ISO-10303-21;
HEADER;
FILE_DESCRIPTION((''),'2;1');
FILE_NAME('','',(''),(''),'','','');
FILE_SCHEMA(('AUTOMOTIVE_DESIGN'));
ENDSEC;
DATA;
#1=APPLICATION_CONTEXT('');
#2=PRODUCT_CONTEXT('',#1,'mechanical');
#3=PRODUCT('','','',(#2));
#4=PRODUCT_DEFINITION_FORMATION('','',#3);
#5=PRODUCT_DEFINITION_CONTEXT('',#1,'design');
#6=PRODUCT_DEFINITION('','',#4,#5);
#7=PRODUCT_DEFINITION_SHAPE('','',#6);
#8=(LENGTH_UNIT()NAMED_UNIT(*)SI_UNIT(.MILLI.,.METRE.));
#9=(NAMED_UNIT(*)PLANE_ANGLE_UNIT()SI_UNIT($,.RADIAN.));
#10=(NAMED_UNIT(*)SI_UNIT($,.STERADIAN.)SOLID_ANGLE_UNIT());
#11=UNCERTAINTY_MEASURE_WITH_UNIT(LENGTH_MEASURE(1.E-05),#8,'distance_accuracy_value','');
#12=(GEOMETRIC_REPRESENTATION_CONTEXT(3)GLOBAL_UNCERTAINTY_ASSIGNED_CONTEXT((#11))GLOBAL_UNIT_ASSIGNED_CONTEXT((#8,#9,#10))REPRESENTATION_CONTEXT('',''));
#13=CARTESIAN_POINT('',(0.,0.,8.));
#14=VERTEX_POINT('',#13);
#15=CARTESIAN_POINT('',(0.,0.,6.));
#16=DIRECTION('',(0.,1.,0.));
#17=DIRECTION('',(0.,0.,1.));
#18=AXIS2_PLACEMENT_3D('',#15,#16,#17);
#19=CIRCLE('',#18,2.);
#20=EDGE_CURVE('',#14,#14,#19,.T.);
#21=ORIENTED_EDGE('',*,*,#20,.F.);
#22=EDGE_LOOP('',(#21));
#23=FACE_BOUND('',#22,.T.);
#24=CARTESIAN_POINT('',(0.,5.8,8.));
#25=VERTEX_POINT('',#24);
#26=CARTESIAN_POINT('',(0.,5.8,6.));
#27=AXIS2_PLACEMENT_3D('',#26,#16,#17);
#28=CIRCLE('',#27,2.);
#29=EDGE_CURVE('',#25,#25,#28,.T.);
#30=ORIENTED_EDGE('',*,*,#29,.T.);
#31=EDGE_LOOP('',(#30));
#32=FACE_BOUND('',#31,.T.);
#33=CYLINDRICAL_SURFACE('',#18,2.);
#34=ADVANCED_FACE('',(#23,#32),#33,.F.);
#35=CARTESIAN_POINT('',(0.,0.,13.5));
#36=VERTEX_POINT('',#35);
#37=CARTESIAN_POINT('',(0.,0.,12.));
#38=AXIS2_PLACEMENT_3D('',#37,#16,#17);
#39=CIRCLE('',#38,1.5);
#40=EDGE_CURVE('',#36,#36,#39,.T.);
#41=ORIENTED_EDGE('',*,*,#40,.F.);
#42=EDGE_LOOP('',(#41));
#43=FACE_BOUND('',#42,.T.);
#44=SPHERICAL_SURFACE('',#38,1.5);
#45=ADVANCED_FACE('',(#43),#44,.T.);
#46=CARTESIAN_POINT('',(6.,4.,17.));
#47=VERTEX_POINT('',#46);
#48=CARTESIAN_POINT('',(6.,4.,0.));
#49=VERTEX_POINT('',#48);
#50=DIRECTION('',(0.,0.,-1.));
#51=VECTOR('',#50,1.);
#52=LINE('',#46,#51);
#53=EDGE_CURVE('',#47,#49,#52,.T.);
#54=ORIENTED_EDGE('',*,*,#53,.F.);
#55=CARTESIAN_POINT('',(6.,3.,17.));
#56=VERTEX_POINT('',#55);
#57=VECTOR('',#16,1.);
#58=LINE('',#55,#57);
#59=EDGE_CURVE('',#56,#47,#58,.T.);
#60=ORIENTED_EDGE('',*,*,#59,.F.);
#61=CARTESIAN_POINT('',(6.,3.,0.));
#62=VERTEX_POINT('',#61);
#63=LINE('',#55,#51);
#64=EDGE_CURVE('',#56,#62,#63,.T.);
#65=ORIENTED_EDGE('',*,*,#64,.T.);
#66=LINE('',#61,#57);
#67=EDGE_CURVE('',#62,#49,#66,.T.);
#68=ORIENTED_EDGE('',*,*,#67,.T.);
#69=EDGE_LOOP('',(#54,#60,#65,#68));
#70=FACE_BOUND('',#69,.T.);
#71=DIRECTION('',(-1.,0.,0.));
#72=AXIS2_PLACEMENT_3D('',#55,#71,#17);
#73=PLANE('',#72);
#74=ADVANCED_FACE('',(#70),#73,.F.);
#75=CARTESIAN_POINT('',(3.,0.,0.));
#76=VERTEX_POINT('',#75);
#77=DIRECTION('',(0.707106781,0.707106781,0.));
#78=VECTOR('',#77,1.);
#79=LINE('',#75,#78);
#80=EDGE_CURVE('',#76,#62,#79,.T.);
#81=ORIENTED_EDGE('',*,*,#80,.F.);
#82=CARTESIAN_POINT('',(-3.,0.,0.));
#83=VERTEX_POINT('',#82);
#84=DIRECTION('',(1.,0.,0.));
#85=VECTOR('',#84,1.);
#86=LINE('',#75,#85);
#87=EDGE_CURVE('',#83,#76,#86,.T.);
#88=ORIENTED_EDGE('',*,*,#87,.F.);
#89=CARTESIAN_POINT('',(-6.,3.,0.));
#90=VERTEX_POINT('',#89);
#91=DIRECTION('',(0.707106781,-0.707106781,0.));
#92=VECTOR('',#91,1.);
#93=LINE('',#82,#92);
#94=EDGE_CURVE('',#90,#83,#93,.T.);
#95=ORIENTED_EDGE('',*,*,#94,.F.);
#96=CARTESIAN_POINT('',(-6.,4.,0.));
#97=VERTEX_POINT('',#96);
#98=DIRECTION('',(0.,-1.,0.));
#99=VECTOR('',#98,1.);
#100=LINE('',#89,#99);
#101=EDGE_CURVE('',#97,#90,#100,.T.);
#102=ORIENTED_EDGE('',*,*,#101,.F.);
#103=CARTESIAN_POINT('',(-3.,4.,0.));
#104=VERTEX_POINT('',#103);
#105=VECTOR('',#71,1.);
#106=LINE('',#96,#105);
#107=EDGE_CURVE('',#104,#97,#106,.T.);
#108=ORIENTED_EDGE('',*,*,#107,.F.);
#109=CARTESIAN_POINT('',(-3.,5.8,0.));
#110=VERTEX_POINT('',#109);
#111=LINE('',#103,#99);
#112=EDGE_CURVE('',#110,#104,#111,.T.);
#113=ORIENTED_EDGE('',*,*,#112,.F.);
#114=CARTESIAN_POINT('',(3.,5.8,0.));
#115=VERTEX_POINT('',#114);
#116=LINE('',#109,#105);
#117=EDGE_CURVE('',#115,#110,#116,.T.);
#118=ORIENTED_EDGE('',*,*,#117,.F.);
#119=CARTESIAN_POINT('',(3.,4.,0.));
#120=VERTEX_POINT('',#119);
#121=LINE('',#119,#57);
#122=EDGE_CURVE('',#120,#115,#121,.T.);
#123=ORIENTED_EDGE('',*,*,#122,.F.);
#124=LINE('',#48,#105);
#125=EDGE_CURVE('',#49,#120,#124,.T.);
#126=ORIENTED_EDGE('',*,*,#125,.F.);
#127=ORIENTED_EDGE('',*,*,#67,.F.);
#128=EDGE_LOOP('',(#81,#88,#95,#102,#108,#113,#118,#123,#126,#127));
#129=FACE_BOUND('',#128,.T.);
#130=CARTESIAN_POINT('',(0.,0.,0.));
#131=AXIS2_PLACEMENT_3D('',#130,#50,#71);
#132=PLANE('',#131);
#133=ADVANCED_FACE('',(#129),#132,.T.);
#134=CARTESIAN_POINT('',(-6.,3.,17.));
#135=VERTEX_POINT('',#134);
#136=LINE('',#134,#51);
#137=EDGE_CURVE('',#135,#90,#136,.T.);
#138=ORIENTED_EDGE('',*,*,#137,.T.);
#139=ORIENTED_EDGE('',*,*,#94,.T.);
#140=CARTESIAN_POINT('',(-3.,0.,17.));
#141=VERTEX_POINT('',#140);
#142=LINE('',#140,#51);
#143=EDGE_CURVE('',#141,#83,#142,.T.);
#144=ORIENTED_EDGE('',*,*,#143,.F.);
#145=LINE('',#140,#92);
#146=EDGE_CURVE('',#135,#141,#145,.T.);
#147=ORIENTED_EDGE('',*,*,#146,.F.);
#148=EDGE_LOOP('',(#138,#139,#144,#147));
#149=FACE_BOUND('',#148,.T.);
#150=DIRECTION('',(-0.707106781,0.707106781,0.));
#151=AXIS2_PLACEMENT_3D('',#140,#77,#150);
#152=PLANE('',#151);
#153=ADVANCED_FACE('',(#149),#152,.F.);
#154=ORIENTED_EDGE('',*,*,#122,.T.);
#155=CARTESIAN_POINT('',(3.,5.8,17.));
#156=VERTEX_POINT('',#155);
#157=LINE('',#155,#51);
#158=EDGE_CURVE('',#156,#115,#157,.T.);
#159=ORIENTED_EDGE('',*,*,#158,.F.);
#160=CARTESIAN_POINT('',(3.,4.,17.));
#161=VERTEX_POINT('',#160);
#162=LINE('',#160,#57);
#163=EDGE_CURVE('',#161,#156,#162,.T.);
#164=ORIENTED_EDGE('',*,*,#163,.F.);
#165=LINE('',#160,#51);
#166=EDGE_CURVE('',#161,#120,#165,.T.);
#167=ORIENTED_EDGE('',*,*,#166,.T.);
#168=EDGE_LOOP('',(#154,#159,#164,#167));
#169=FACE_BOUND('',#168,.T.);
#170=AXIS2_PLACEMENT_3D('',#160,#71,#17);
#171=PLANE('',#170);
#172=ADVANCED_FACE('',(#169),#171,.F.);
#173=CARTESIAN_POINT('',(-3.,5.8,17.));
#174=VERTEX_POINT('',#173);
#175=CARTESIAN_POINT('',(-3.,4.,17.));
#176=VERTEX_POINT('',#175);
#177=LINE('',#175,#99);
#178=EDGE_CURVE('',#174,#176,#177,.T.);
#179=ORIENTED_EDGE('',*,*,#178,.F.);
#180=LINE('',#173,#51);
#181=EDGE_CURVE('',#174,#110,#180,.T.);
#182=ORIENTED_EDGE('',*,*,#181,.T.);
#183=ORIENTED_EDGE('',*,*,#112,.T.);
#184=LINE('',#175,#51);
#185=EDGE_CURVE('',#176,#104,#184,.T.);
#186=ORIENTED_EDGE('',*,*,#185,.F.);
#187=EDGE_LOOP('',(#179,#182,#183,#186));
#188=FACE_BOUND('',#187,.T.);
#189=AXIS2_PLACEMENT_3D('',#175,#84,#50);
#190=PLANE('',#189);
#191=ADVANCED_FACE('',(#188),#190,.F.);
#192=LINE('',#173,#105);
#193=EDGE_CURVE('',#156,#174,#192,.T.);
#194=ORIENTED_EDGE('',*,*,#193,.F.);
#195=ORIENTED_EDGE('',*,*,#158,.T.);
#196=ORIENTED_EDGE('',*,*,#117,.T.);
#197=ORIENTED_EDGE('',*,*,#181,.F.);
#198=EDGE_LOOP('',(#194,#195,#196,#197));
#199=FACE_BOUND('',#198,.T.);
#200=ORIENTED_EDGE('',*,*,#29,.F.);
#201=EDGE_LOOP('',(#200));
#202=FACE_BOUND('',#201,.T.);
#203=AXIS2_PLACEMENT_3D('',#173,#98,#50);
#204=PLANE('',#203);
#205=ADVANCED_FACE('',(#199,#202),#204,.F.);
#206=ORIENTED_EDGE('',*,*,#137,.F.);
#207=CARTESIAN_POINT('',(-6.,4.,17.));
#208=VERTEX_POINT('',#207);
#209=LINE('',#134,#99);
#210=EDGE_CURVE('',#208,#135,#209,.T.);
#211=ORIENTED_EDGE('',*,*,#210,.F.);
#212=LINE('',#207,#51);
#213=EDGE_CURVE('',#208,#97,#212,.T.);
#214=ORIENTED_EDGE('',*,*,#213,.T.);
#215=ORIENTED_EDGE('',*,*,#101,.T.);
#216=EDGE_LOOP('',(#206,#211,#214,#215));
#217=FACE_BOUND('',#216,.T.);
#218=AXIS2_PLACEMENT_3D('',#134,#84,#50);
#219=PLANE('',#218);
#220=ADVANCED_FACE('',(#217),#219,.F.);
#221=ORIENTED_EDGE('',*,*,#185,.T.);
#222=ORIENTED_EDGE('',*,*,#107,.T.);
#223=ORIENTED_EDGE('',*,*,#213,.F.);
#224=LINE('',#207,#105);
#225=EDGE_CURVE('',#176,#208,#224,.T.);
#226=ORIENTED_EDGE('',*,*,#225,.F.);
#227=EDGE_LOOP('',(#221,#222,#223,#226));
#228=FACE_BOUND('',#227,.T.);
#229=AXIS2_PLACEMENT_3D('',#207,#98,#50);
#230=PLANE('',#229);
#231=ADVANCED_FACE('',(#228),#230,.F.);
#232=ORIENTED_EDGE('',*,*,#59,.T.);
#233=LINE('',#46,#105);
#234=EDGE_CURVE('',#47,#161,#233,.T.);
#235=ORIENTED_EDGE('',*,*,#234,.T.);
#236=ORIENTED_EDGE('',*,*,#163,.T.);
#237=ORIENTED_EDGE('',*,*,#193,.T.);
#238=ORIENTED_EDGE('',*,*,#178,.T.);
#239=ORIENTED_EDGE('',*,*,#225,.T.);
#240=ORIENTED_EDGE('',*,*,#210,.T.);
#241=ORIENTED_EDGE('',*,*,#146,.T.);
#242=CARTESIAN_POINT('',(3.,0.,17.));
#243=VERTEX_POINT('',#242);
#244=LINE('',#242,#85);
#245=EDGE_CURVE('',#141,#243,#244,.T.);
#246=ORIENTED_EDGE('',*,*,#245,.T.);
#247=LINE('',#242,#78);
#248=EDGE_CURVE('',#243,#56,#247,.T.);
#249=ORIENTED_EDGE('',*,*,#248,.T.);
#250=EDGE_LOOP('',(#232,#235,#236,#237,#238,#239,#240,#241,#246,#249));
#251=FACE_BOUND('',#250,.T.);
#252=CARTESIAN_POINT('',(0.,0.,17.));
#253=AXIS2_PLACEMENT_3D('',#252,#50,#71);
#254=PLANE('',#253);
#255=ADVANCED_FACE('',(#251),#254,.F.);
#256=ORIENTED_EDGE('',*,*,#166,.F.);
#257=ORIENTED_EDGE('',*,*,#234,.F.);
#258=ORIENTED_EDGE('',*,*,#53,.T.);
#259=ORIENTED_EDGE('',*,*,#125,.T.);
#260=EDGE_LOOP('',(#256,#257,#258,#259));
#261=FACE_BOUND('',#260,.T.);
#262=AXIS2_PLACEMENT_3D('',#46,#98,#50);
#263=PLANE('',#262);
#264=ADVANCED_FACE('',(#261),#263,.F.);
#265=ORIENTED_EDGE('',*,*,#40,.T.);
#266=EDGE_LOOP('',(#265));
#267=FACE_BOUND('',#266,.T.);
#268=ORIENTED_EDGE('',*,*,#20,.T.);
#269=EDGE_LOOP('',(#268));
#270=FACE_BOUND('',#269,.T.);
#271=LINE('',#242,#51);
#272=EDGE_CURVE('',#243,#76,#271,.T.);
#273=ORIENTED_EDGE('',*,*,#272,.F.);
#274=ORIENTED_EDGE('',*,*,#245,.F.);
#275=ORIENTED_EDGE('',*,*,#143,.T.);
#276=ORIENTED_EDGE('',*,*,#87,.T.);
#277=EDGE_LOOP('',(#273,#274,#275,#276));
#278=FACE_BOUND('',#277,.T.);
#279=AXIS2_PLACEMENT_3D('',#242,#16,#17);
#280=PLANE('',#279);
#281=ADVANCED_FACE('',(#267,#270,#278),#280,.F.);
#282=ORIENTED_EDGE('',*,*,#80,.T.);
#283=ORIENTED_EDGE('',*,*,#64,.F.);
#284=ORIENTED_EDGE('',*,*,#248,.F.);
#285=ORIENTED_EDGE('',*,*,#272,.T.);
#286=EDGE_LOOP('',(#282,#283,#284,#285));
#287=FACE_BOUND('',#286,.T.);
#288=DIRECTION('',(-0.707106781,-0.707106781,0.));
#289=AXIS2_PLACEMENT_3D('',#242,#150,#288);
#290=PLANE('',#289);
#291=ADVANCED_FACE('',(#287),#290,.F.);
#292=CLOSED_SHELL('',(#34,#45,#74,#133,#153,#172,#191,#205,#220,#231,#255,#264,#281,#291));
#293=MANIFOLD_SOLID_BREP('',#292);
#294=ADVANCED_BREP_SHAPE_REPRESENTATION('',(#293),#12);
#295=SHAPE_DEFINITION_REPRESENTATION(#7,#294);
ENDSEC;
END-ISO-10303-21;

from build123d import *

# Parameters (mm, degrees)
ESTRUSIONE_ESTRUSIONE1_DEPTH = 17
SCHIZZO2_R                   = 2
TAGLIO_ESTRUSIONE1_DEPTH     = 6.8


with BuildPart() as part:
    # Schizzo1 → Estrusione-Estrusione1 (new body)
    with BuildSketch(Plane.XY):
        Polygon((3, 0), (-3, 0), (-6, 3), (-6, 4), (-3, 4), (-3, 5.8), (3, 5.8), (3, 4), (6, 4), (6, 3), align=None)
    extrude(amount=ESTRUSIONE_ESTRUSIONE1_DEPTH)

    # Schizzo2 → Taglio-Estrusione1 (cut, through all)
    with BuildSketch(Plane(origin=(0, 5.8, 0), x_dir=(1, 0, 0), z_dir=(0, 1, 0))):
        with Locations((0, -6)):
            Circle(SCHIZZO2_R)
    extrude(amount=-TAGLIO_ESTRUSIONE1_DEPTH, mode=Mode.SUBTRACT)

    # Schizzo4 → Rivoluzione2 (revolve)
    with BuildSketch(Plane(origin=(0, 0, 0), x_dir=(0, 0, -1), z_dir=(1, 0, 0))):
        with BuildLine():
            Line((-12, -1.5), (-12, 0))
            Line((-12, 0), (-13.5, 0))
            ThreePointArc((-13.5, 0), (-13.060660172, -1.060660172), (-12, -1.5))
        make_face()
    revolve(axis=Axis((0, 0, 12), (0, -1, 0)))


solid = part.part
